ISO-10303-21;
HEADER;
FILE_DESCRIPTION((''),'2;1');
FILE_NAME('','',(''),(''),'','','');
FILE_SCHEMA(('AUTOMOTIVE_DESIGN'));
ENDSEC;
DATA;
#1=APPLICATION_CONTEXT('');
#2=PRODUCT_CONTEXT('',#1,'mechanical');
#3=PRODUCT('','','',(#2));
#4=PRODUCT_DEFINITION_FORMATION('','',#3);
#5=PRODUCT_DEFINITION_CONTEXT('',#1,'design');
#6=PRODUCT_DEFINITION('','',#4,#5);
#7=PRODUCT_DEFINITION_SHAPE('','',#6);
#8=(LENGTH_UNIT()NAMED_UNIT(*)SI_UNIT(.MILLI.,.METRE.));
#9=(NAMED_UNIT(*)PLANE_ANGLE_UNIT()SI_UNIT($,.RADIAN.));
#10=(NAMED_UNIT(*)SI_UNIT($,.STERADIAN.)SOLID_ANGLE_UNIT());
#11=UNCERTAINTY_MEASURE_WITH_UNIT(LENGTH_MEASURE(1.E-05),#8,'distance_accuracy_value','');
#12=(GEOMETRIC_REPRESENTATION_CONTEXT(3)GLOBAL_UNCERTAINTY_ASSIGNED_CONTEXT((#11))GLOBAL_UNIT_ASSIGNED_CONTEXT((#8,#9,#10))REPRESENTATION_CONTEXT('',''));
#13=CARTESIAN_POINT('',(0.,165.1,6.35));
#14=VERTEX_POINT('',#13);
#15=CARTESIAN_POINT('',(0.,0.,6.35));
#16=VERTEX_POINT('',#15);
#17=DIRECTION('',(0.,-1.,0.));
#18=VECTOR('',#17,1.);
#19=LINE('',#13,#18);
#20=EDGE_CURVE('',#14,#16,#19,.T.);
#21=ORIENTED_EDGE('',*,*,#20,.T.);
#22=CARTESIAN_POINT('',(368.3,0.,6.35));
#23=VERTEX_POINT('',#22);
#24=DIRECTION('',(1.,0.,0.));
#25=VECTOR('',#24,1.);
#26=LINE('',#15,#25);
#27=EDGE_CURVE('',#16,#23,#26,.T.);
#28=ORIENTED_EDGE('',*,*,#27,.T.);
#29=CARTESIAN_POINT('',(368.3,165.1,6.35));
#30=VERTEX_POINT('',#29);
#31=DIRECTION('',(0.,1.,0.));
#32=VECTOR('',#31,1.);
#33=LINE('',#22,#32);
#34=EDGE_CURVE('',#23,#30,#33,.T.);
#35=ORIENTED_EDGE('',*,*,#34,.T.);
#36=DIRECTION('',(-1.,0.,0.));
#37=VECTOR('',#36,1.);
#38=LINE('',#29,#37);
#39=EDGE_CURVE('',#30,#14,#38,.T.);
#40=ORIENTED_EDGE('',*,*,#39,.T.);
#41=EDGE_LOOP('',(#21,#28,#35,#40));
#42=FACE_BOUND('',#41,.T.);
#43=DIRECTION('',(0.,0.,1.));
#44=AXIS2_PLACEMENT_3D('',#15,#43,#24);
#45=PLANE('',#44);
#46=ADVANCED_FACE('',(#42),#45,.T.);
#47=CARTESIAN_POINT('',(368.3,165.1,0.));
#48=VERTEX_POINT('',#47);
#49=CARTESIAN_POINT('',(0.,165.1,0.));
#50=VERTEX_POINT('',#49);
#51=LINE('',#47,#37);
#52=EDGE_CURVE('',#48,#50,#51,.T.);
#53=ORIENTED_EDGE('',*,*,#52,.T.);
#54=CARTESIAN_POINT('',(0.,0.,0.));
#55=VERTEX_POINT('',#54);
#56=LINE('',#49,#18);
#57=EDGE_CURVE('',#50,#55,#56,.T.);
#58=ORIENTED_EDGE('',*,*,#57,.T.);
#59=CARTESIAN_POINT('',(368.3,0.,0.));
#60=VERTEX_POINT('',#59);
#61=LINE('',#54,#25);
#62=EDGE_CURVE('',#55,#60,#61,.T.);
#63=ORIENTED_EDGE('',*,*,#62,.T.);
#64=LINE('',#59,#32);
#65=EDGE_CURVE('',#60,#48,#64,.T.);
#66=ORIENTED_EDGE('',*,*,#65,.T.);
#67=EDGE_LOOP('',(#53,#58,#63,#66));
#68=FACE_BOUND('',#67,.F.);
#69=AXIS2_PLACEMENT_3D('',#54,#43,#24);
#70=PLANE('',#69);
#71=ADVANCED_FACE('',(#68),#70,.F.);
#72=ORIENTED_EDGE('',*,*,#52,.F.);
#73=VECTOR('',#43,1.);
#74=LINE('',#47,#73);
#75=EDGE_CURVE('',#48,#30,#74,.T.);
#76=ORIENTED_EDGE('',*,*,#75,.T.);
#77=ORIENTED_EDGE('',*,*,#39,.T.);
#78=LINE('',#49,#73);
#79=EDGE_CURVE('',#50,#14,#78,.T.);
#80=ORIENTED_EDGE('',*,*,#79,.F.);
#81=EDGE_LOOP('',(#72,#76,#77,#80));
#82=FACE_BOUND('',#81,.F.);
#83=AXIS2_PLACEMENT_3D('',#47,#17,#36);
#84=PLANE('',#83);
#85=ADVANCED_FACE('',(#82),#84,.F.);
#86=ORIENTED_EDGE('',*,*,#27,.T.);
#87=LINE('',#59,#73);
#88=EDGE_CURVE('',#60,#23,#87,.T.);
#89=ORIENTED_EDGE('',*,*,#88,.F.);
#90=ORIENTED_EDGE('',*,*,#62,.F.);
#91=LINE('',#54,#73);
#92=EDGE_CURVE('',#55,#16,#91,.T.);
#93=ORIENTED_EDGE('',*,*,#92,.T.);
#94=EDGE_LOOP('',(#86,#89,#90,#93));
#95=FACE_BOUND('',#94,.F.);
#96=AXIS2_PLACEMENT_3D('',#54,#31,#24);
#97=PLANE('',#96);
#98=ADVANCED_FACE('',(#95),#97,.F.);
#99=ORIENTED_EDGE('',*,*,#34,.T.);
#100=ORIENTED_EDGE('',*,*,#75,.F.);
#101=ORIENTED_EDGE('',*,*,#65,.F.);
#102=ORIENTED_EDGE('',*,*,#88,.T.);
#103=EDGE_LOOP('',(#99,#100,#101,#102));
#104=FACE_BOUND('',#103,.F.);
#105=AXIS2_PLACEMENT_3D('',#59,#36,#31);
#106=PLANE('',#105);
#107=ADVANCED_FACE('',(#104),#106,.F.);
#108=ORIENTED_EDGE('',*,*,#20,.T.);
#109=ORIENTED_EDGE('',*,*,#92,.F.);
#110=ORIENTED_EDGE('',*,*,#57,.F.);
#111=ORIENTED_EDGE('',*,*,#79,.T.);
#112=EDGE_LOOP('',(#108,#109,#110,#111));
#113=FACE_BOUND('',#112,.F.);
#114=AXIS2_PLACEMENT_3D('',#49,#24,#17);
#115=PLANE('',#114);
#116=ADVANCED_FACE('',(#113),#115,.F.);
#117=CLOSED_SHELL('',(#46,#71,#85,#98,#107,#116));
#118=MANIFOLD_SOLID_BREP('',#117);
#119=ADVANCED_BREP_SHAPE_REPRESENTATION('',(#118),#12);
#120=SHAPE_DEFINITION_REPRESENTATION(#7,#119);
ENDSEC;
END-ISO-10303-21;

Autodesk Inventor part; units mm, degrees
ref_plane "YZ Plane" through (0, 0, 0) normal (1, 0, 0) x (0, 1, 0)
ref_plane "XZ Plane" through (0, 0, 0) normal (0, 1, 0) x (-1, 0, 0)
ref_plane "XY Plane" through (0, 0, 0) normal (0, 0, 1) x (1, 0, 0)
sketch "Sketch1" plane through (0, 0, 0) normal (0, 0, 1) x (1, 0, 0)
  line L0 (0, 0) -> (368.3, 0)
  line L1 (368.3, 0) -> (368.3, 165.1)
  line L2 (368.3, 165.1) -> (0, 165.1)
  line L3 (0, 165.1) -> (0, 0)
  dimension "d0" = 368.3
  dimension "d1" = 165.1
extrude "Extrusion1" add sketch "Sketch1" along normal blind 6.35
properties part number "bottom"
